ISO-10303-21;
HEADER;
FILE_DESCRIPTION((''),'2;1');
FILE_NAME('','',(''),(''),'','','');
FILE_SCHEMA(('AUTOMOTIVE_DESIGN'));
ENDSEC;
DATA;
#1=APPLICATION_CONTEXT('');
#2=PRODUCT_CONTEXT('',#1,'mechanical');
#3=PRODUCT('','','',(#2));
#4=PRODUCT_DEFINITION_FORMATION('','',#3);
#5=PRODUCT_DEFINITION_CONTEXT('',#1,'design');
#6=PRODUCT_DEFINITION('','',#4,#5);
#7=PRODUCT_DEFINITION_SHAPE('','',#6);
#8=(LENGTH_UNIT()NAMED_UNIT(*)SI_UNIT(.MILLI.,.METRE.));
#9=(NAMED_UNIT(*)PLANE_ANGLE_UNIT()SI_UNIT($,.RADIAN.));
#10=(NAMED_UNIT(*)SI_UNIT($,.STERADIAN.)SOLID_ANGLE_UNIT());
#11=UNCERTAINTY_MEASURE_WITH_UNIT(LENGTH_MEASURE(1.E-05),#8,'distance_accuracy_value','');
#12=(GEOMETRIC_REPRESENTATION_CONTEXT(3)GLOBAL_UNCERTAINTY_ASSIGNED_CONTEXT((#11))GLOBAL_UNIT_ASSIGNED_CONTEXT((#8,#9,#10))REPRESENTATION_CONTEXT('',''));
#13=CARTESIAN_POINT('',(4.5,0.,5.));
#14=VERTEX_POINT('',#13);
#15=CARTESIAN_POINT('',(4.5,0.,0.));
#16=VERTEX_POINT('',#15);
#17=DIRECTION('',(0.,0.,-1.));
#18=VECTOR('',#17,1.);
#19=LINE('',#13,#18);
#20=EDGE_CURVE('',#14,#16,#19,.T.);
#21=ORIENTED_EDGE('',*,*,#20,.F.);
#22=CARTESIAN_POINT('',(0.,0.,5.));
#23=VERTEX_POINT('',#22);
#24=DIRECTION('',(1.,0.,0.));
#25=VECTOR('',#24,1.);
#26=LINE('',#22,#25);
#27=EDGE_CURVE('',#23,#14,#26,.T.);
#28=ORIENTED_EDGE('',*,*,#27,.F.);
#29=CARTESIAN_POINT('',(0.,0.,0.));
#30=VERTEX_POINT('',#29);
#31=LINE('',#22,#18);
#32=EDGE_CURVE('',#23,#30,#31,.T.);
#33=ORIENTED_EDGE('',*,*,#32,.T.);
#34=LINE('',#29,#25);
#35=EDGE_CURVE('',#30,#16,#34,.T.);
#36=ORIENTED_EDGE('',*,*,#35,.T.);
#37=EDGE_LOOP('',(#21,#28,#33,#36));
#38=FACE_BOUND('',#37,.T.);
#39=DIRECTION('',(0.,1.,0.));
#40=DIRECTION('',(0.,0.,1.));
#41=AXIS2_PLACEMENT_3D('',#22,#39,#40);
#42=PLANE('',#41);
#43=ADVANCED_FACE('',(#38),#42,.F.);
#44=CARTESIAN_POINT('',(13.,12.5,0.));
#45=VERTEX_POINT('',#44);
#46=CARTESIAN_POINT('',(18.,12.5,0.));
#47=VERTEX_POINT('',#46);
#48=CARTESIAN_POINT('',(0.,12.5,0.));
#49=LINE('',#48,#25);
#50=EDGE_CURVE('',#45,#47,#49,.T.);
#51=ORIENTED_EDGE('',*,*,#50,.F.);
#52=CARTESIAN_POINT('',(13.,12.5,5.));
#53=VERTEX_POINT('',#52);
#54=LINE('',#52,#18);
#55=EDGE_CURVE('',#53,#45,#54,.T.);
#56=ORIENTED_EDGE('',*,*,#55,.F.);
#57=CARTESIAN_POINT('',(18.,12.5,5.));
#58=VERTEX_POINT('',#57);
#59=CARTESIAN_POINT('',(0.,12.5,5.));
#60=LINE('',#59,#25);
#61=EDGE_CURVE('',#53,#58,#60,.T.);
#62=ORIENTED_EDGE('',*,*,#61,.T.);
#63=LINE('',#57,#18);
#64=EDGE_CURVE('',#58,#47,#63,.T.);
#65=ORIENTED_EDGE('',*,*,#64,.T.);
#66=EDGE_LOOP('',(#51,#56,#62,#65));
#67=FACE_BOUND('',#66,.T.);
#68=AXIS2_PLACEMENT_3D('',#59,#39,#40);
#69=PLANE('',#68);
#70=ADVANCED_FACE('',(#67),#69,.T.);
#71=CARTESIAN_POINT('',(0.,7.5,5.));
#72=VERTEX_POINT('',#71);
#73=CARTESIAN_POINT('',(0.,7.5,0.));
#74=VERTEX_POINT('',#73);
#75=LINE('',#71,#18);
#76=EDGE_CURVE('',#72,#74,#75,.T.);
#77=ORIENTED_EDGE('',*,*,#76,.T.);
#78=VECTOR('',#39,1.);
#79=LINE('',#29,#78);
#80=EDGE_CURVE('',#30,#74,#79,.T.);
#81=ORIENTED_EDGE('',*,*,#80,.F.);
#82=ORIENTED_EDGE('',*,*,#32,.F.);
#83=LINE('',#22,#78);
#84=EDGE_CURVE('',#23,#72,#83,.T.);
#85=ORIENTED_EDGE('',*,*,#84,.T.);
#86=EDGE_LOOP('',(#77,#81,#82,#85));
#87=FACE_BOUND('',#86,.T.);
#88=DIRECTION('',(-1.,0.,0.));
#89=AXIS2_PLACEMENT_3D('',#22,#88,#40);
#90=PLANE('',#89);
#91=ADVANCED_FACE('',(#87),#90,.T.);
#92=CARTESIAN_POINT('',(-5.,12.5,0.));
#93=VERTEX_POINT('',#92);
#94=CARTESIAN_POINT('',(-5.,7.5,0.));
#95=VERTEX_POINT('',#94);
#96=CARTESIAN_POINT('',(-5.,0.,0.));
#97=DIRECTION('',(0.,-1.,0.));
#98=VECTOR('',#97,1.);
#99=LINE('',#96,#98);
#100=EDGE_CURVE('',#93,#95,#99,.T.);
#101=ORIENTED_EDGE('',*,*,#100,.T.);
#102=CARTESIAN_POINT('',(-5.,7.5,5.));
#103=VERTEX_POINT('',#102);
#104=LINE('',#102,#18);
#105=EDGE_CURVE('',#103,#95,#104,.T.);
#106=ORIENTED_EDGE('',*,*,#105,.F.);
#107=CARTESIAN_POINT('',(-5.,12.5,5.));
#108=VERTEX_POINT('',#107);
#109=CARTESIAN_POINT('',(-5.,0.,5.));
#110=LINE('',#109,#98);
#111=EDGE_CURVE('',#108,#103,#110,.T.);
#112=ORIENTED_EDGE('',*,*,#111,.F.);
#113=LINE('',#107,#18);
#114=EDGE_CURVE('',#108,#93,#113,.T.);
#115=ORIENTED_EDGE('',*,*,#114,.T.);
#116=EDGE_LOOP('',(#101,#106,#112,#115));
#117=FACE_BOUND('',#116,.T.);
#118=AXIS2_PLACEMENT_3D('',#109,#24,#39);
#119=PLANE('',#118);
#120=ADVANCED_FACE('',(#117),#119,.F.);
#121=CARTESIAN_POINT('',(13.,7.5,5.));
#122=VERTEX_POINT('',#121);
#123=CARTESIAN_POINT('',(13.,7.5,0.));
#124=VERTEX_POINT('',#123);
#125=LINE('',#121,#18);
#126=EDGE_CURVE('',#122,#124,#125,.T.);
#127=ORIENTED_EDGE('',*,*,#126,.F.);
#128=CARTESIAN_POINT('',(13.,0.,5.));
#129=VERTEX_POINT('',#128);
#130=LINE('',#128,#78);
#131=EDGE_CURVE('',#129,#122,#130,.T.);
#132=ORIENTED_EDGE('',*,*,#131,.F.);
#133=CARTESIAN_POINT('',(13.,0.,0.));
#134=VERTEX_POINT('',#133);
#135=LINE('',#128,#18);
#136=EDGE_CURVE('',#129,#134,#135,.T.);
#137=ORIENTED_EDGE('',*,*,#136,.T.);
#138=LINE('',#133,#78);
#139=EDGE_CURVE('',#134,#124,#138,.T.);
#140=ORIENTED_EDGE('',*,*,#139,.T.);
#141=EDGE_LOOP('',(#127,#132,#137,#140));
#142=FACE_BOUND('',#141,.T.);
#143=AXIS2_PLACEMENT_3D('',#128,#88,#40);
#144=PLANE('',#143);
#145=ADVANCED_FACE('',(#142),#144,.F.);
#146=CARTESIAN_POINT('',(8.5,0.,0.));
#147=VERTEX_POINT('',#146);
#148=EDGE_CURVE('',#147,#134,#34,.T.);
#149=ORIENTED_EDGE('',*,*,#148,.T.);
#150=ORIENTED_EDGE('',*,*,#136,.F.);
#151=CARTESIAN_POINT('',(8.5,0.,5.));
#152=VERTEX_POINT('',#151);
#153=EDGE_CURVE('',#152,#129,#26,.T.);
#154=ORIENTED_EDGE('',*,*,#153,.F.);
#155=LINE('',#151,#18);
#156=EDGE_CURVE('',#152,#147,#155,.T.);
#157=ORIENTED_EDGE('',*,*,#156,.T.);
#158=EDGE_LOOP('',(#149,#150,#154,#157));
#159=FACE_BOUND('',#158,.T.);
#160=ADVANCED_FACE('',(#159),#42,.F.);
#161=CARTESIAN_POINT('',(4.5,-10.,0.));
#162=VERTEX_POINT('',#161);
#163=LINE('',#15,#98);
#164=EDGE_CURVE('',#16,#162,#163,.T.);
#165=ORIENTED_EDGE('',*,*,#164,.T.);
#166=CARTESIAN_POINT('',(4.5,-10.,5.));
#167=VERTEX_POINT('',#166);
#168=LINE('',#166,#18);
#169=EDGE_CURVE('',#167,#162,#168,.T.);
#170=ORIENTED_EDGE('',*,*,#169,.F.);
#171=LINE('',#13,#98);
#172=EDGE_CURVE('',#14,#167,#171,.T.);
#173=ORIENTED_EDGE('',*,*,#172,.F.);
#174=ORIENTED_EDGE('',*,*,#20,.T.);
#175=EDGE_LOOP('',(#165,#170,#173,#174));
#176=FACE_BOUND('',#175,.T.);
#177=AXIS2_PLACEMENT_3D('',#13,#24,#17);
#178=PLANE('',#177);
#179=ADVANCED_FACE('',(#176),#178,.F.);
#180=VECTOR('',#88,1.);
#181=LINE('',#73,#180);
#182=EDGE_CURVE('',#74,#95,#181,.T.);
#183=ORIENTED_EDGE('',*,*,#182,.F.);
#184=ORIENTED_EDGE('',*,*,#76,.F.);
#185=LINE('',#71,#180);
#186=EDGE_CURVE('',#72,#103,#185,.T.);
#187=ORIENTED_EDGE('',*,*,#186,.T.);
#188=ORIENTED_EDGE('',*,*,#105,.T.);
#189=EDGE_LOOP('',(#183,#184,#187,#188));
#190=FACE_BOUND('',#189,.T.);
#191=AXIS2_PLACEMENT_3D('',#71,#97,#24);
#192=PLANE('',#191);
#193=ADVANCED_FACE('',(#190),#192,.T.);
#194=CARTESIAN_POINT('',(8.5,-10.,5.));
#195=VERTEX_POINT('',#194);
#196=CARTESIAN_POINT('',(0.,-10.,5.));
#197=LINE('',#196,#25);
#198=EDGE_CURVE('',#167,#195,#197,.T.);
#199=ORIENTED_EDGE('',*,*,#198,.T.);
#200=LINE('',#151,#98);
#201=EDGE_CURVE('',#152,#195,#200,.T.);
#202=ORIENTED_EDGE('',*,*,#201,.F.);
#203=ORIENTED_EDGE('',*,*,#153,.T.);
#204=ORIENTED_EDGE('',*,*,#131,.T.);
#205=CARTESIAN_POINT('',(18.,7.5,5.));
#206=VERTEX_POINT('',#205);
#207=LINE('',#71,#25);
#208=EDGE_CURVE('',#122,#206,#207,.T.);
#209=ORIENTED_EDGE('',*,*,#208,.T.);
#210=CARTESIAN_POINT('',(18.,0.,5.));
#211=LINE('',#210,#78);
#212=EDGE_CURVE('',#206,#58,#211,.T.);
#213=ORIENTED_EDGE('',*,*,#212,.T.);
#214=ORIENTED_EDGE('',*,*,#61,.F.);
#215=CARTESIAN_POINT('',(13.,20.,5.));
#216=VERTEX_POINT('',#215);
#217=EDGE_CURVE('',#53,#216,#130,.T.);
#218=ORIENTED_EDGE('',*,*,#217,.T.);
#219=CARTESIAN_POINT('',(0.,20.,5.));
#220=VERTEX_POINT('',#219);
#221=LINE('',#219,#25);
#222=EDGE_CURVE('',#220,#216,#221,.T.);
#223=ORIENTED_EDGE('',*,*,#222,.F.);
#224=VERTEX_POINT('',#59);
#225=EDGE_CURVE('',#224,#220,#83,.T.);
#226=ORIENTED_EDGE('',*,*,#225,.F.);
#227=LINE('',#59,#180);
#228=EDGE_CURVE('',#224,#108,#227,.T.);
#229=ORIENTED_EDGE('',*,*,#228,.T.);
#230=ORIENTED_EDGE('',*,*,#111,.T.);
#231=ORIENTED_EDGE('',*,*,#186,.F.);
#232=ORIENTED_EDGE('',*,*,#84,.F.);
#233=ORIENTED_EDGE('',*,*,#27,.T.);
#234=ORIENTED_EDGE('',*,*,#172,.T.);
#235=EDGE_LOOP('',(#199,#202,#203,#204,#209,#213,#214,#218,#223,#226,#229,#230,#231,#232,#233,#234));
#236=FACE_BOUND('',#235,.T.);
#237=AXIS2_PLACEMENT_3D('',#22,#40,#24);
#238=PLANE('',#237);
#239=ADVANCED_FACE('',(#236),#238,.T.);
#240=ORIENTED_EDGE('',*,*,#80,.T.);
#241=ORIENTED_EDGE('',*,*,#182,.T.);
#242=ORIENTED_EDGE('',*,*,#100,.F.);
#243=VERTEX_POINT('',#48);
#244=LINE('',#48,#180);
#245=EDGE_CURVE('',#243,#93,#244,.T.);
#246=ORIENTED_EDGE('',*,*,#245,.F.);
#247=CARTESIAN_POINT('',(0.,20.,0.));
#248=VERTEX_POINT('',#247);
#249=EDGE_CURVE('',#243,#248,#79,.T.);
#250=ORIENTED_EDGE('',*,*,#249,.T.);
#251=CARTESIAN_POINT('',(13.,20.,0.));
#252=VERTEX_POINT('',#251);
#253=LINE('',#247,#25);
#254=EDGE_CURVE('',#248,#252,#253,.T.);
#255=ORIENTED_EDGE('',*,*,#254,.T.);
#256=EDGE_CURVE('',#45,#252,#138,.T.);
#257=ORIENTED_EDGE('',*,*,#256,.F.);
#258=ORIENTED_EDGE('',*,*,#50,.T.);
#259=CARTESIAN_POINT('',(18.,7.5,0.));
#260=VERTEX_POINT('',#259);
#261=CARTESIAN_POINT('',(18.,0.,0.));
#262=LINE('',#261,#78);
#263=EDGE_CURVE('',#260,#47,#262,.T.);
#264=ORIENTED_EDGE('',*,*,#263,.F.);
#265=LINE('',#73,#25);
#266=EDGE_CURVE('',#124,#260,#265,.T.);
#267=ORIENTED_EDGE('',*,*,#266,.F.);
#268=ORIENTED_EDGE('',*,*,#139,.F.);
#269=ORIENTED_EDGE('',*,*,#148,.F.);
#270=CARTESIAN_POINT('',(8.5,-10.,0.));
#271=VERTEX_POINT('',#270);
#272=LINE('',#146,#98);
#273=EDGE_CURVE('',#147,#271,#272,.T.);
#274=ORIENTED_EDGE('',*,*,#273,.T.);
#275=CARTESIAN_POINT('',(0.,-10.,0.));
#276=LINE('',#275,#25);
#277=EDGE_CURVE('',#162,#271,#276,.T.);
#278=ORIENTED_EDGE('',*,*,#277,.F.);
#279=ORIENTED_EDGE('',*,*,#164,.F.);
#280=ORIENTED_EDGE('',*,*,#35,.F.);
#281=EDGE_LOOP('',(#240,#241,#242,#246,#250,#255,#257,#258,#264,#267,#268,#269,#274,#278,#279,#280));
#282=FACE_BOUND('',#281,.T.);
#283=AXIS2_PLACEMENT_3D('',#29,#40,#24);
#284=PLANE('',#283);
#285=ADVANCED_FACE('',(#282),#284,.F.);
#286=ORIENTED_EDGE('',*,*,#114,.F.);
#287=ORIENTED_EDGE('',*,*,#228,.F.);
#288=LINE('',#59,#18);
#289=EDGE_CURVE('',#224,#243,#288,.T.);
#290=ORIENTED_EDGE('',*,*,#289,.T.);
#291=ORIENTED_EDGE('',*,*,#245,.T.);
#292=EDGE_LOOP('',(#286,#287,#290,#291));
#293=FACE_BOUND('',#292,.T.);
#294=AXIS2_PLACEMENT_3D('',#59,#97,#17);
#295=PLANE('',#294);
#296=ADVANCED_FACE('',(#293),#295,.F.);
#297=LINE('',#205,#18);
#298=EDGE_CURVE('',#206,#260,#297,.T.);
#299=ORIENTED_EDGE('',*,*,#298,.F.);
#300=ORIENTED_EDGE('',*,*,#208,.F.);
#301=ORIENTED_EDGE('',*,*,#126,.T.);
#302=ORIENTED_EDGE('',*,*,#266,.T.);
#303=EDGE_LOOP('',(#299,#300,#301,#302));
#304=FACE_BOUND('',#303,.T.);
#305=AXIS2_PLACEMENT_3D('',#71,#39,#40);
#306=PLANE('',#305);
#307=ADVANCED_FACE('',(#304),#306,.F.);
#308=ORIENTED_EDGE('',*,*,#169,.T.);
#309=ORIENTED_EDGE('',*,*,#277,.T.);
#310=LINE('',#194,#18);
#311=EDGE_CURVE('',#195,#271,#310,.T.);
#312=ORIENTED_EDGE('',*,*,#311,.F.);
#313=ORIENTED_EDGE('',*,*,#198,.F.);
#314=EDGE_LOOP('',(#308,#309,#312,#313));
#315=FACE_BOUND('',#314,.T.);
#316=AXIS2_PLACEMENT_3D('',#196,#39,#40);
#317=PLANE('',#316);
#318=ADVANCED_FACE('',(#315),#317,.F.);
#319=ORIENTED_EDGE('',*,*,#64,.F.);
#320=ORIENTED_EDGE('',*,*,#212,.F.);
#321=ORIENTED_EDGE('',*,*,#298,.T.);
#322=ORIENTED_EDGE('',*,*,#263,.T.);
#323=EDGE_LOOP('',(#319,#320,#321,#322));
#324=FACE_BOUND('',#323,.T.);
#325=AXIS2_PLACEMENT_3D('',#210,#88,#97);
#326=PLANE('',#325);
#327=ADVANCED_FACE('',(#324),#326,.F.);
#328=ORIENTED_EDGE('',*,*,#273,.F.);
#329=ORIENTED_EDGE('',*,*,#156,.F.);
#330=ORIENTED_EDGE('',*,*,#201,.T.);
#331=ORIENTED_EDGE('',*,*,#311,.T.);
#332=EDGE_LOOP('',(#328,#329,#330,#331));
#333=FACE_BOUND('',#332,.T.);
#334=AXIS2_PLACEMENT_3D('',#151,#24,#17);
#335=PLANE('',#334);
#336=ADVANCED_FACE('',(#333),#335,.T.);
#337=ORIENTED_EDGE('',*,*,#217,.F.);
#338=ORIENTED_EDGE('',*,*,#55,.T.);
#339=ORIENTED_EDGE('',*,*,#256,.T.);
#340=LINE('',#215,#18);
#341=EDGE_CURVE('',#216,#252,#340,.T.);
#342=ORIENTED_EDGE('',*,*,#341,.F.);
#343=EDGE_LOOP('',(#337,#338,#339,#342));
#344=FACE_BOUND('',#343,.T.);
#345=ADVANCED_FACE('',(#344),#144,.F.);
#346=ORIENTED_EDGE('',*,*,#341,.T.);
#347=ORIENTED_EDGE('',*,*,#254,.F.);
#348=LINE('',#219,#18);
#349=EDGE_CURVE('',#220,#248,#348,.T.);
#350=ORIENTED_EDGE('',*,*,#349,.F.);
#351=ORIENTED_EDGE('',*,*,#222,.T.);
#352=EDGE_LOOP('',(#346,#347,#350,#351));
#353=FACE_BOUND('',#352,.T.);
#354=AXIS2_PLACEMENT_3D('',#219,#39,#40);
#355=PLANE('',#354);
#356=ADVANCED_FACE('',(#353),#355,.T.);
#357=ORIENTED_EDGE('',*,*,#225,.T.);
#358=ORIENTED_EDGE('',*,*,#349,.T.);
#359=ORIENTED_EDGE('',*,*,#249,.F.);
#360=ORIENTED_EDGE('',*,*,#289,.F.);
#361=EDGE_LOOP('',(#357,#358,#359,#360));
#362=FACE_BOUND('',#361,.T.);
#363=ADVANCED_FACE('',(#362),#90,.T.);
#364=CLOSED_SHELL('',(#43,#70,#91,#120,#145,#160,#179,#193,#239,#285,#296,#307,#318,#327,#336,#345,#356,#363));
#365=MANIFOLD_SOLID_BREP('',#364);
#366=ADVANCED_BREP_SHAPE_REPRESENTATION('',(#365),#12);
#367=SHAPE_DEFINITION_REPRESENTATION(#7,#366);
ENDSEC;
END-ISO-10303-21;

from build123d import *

# Parameters (mm, degrees)
ESQUISSE1_W        = 4
ESQUISSE1_H        = 10
ESQUISSE1_W_2      = 5
ESQUISSE1_H_2      = 5
ESQUISSE1_W_3      = 13
ESQUISSE1_H_3      = 20
BOSS_EXTRU_1_DEPTH = 5


with BuildPart() as part:
    # Esquisse1 → Boss.-Extru.1 (new body)
    with BuildSketch(Plane.XY):
        with Locations((6.5, -5)):
            Rectangle(ESQUISSE1_W, ESQUISSE1_H)
        with Locations((-2.5, 10)):
            Rectangle(ESQUISSE1_W_2, ESQUISSE1_H_2)
        with Locations((6.5, 10)):
            Rectangle(ESQUISSE1_W_3, ESQUISSE1_H_3)
        with Locations((15.5, 10)):
            Rectangle(ESQUISSE1_W_2, ESQUISSE1_H_2)
    extrude(amount=BOSS_EXTRU_1_DEPTH)


solid = part.part
